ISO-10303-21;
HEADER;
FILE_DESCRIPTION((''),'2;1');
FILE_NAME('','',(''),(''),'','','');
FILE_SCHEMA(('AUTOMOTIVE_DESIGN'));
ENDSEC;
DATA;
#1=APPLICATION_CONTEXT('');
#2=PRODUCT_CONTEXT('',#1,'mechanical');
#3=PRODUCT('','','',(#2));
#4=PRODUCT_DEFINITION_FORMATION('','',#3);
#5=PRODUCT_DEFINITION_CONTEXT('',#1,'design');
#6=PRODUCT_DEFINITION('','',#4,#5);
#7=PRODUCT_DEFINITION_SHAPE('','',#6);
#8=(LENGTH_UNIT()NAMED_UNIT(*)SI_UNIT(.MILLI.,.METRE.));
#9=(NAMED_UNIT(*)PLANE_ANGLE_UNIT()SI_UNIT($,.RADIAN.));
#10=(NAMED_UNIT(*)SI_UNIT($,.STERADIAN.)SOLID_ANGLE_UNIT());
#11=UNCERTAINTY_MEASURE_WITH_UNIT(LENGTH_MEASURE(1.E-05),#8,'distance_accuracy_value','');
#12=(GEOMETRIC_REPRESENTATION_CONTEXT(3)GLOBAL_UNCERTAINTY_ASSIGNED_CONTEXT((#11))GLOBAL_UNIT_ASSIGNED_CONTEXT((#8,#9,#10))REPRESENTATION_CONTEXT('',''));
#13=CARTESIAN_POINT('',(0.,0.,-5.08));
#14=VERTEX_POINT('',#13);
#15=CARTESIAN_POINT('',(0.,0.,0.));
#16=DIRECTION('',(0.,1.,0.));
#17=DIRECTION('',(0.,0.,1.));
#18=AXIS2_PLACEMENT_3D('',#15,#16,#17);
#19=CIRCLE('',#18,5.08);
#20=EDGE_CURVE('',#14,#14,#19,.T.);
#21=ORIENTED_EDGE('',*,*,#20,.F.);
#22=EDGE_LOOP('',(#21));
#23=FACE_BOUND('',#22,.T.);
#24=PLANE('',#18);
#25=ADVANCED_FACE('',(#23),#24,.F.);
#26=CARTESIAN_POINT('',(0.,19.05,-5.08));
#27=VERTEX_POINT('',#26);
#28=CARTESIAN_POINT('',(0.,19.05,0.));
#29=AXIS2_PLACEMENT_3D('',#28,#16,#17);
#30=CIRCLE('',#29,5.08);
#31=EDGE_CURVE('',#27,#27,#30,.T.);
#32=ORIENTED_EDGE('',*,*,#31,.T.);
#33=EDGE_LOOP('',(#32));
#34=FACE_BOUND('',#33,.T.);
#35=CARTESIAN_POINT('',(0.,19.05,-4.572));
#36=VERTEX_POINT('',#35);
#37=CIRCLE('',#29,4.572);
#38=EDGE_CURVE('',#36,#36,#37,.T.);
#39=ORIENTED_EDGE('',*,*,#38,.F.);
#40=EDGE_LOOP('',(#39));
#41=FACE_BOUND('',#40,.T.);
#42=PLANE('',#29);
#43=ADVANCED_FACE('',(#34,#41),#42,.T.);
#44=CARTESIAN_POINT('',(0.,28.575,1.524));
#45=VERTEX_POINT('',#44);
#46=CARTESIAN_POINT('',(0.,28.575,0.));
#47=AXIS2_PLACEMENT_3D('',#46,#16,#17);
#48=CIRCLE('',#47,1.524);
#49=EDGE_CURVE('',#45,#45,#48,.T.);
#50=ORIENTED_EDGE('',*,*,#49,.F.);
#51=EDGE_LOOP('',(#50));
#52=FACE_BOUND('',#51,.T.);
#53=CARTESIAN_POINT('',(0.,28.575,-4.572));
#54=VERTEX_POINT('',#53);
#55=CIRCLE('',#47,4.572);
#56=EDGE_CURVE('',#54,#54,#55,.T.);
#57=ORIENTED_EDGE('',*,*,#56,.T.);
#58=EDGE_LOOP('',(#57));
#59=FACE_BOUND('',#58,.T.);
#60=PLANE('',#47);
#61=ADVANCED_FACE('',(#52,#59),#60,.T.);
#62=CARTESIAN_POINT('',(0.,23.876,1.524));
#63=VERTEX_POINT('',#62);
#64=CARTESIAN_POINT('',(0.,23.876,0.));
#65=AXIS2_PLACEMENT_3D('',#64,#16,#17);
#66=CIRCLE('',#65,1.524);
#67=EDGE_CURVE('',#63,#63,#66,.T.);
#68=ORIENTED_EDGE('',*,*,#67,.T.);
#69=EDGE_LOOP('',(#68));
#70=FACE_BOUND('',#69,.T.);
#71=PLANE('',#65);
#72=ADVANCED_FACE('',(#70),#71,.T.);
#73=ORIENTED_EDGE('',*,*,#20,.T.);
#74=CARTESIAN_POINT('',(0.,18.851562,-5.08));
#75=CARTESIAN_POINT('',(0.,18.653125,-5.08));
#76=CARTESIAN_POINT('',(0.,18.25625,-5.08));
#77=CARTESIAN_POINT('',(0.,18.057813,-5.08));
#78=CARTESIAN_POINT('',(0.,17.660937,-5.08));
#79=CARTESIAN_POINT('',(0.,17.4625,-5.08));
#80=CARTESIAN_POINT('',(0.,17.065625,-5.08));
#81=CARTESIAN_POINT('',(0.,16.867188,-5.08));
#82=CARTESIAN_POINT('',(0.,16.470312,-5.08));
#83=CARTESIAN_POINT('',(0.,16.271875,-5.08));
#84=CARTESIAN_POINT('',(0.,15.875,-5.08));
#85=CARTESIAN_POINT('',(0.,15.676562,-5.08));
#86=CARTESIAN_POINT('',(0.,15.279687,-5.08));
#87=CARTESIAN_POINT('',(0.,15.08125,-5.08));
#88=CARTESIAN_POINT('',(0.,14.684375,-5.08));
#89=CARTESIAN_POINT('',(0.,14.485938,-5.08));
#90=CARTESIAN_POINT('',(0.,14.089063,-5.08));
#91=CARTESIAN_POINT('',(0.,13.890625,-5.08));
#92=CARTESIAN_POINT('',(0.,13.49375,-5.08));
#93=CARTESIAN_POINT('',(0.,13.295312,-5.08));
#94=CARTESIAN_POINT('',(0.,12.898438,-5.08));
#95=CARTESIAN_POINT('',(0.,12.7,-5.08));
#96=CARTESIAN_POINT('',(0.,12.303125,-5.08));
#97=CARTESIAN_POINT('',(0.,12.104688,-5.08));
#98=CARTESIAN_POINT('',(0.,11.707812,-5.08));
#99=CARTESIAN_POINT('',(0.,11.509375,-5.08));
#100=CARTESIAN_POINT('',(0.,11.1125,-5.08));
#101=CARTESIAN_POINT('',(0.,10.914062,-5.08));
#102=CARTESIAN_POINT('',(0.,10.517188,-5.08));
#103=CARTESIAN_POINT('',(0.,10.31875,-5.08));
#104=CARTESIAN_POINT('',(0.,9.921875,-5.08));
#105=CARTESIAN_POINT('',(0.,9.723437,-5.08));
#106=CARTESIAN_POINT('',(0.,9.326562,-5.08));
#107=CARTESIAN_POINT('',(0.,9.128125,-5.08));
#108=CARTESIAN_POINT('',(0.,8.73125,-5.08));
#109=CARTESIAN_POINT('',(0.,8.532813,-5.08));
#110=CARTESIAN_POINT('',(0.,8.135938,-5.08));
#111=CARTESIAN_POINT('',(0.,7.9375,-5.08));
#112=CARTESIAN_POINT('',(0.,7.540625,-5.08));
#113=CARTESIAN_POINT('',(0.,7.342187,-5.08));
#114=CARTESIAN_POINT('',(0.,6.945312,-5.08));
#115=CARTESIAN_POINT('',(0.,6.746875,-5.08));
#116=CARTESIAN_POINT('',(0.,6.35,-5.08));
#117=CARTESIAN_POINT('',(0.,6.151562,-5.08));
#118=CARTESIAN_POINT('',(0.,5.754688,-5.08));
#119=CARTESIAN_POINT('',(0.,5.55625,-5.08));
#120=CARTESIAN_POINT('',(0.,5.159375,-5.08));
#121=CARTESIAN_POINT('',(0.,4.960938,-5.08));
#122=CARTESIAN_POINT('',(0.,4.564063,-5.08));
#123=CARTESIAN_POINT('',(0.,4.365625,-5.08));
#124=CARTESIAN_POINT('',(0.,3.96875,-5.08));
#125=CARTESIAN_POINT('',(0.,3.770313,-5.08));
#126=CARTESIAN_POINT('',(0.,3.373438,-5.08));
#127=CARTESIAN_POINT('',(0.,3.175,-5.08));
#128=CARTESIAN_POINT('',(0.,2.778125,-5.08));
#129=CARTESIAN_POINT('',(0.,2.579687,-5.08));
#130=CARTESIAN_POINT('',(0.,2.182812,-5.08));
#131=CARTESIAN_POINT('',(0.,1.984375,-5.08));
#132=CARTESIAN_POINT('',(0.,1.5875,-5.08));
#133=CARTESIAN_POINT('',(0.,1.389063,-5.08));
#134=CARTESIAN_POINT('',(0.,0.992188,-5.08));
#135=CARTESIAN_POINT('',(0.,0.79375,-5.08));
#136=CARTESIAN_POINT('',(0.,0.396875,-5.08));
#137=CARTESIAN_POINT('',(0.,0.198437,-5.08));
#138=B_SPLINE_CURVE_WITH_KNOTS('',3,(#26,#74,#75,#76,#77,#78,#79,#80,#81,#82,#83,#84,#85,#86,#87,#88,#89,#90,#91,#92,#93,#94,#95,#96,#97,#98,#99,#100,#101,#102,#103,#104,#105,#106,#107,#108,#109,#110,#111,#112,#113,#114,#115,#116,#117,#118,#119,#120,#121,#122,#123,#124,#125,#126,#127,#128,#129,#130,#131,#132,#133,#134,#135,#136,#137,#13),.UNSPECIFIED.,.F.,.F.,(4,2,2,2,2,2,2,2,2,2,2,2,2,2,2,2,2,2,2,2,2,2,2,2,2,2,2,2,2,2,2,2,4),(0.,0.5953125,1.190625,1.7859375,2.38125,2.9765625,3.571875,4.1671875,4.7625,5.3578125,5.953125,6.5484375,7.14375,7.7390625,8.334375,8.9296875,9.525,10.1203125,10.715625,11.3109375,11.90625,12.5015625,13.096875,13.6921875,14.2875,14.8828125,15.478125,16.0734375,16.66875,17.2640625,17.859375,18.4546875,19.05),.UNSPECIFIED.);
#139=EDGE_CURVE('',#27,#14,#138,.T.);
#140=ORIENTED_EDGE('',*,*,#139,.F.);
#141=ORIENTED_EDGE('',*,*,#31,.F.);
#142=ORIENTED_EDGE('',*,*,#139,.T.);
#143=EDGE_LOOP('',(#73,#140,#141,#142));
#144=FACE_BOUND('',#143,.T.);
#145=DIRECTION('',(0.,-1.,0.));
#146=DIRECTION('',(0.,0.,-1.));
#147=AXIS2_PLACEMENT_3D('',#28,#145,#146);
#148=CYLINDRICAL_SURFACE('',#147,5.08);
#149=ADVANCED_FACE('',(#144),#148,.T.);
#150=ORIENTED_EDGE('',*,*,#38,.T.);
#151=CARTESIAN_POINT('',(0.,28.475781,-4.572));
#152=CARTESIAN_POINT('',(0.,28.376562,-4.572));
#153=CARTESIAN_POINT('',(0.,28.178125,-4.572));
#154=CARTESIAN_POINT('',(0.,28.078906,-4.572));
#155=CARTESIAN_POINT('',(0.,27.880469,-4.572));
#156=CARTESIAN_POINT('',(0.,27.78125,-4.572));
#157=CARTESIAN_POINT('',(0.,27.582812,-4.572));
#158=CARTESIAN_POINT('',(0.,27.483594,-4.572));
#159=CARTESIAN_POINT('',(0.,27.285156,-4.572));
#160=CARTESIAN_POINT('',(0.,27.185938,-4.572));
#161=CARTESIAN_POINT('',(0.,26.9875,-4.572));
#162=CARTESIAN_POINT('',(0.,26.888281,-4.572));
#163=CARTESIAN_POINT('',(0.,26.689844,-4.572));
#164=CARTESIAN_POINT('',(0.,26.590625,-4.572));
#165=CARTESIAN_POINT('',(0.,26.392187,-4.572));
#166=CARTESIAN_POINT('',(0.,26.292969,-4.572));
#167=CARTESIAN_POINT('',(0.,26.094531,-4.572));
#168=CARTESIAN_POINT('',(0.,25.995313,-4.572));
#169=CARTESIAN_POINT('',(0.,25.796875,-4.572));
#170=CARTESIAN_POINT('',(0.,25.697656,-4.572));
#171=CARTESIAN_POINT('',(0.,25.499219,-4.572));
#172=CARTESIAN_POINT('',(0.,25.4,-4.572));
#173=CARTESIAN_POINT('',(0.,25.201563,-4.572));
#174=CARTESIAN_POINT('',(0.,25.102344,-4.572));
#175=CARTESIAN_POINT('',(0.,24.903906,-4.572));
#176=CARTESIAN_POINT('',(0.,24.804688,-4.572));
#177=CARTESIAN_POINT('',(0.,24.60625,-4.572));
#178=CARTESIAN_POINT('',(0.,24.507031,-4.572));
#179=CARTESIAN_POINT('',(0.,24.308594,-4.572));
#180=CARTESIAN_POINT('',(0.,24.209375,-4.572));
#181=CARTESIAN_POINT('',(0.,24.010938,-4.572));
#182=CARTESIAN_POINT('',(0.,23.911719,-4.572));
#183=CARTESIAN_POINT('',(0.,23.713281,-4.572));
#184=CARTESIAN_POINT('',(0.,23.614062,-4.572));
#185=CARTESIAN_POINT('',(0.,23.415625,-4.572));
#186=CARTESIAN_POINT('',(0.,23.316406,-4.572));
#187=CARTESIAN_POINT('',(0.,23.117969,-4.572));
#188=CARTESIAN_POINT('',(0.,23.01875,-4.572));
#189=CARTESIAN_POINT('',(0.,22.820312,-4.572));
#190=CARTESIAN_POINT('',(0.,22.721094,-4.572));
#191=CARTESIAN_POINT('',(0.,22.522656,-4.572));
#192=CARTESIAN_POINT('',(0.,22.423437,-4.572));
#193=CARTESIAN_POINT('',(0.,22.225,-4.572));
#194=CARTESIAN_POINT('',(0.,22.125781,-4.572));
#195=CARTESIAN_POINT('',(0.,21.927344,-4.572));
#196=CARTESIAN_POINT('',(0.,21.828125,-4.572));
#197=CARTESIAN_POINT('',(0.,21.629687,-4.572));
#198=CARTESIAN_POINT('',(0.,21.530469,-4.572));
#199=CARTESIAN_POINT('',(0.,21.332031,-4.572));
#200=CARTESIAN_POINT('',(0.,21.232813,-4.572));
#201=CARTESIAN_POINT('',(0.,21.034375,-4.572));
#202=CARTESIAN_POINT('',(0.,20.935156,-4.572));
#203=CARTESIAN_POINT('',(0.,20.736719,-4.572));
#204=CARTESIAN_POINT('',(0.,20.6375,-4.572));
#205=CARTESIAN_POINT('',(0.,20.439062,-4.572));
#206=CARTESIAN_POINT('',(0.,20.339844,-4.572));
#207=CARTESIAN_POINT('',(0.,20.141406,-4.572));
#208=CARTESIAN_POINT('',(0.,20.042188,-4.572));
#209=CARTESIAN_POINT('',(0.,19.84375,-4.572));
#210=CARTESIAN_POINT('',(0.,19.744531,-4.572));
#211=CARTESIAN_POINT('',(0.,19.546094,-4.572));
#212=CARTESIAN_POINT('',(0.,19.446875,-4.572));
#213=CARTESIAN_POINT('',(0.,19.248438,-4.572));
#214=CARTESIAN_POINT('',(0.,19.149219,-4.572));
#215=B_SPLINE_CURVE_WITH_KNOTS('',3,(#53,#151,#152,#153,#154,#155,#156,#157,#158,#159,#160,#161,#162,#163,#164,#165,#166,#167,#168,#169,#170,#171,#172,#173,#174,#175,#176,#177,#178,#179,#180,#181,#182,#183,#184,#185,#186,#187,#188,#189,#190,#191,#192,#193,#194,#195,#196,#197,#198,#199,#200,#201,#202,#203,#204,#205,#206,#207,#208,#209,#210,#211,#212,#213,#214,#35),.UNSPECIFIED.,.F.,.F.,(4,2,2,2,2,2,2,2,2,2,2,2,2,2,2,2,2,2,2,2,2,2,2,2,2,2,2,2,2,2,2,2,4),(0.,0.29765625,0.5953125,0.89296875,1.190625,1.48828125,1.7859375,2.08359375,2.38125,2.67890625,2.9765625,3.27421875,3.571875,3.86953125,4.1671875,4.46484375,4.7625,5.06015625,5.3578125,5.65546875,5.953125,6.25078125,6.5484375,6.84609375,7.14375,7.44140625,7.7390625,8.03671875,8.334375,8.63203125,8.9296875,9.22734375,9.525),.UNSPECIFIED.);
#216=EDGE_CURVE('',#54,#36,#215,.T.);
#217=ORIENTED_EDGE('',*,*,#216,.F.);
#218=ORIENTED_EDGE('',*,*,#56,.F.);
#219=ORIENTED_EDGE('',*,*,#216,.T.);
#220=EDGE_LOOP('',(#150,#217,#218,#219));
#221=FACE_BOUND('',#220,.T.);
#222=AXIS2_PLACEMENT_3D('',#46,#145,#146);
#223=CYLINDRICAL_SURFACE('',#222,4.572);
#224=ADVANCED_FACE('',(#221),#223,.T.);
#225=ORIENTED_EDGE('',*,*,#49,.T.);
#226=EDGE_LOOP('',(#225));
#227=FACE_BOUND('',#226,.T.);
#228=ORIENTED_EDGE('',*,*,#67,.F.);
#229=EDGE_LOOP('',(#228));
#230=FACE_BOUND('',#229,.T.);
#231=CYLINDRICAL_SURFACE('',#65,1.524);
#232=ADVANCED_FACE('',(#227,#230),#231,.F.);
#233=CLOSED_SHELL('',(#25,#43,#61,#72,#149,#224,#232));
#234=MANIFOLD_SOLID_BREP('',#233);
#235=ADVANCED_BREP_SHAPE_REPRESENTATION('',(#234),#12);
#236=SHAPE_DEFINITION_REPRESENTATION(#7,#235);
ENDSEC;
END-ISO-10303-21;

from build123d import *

# Parameters (mm, degrees)
SKETCH1_R           = 5.08
BOSS_EXTRUDE1_DEPTH = 19.05
SKETCH2_R           = 4.572
BOSS_EXTRUDE2_DEPTH = 9.525
SKETCH3_R           = 1.524
CUT_EXTRUDE1_DEPTH  = 4.699


with BuildPart() as part:
    # Sketch1 → Boss-Extrude1 (new body)
    with BuildSketch(Plane(origin=(0, 0, 0), x_dir=(1, 0, 0), z_dir=(0, 1, 0))):
        Circle(SKETCH1_R)
    extrude(amount=BOSS_EXTRUDE1_DEPTH)

    # Sketch2 → Boss-Extrude2 (add)
    with BuildSketch(Plane(origin=(0, 19.05, 0), x_dir=(1, 0, 0), z_dir=(0, 1, 0))):
        Circle(SKETCH2_R)
    extrude(amount=BOSS_EXTRUDE2_DEPTH)

    # Sketch3 → Cut-Extrude1 (cut)
    with BuildSketch(Plane(origin=(0, 28.575, 0), x_dir=(1, 0, 0), z_dir=(0, 1, 0))):
        Circle(SKETCH3_R)
    extrude(amount=-CUT_EXTRUDE1_DEPTH, mode=Mode.SUBTRACT)


solid = part.part
